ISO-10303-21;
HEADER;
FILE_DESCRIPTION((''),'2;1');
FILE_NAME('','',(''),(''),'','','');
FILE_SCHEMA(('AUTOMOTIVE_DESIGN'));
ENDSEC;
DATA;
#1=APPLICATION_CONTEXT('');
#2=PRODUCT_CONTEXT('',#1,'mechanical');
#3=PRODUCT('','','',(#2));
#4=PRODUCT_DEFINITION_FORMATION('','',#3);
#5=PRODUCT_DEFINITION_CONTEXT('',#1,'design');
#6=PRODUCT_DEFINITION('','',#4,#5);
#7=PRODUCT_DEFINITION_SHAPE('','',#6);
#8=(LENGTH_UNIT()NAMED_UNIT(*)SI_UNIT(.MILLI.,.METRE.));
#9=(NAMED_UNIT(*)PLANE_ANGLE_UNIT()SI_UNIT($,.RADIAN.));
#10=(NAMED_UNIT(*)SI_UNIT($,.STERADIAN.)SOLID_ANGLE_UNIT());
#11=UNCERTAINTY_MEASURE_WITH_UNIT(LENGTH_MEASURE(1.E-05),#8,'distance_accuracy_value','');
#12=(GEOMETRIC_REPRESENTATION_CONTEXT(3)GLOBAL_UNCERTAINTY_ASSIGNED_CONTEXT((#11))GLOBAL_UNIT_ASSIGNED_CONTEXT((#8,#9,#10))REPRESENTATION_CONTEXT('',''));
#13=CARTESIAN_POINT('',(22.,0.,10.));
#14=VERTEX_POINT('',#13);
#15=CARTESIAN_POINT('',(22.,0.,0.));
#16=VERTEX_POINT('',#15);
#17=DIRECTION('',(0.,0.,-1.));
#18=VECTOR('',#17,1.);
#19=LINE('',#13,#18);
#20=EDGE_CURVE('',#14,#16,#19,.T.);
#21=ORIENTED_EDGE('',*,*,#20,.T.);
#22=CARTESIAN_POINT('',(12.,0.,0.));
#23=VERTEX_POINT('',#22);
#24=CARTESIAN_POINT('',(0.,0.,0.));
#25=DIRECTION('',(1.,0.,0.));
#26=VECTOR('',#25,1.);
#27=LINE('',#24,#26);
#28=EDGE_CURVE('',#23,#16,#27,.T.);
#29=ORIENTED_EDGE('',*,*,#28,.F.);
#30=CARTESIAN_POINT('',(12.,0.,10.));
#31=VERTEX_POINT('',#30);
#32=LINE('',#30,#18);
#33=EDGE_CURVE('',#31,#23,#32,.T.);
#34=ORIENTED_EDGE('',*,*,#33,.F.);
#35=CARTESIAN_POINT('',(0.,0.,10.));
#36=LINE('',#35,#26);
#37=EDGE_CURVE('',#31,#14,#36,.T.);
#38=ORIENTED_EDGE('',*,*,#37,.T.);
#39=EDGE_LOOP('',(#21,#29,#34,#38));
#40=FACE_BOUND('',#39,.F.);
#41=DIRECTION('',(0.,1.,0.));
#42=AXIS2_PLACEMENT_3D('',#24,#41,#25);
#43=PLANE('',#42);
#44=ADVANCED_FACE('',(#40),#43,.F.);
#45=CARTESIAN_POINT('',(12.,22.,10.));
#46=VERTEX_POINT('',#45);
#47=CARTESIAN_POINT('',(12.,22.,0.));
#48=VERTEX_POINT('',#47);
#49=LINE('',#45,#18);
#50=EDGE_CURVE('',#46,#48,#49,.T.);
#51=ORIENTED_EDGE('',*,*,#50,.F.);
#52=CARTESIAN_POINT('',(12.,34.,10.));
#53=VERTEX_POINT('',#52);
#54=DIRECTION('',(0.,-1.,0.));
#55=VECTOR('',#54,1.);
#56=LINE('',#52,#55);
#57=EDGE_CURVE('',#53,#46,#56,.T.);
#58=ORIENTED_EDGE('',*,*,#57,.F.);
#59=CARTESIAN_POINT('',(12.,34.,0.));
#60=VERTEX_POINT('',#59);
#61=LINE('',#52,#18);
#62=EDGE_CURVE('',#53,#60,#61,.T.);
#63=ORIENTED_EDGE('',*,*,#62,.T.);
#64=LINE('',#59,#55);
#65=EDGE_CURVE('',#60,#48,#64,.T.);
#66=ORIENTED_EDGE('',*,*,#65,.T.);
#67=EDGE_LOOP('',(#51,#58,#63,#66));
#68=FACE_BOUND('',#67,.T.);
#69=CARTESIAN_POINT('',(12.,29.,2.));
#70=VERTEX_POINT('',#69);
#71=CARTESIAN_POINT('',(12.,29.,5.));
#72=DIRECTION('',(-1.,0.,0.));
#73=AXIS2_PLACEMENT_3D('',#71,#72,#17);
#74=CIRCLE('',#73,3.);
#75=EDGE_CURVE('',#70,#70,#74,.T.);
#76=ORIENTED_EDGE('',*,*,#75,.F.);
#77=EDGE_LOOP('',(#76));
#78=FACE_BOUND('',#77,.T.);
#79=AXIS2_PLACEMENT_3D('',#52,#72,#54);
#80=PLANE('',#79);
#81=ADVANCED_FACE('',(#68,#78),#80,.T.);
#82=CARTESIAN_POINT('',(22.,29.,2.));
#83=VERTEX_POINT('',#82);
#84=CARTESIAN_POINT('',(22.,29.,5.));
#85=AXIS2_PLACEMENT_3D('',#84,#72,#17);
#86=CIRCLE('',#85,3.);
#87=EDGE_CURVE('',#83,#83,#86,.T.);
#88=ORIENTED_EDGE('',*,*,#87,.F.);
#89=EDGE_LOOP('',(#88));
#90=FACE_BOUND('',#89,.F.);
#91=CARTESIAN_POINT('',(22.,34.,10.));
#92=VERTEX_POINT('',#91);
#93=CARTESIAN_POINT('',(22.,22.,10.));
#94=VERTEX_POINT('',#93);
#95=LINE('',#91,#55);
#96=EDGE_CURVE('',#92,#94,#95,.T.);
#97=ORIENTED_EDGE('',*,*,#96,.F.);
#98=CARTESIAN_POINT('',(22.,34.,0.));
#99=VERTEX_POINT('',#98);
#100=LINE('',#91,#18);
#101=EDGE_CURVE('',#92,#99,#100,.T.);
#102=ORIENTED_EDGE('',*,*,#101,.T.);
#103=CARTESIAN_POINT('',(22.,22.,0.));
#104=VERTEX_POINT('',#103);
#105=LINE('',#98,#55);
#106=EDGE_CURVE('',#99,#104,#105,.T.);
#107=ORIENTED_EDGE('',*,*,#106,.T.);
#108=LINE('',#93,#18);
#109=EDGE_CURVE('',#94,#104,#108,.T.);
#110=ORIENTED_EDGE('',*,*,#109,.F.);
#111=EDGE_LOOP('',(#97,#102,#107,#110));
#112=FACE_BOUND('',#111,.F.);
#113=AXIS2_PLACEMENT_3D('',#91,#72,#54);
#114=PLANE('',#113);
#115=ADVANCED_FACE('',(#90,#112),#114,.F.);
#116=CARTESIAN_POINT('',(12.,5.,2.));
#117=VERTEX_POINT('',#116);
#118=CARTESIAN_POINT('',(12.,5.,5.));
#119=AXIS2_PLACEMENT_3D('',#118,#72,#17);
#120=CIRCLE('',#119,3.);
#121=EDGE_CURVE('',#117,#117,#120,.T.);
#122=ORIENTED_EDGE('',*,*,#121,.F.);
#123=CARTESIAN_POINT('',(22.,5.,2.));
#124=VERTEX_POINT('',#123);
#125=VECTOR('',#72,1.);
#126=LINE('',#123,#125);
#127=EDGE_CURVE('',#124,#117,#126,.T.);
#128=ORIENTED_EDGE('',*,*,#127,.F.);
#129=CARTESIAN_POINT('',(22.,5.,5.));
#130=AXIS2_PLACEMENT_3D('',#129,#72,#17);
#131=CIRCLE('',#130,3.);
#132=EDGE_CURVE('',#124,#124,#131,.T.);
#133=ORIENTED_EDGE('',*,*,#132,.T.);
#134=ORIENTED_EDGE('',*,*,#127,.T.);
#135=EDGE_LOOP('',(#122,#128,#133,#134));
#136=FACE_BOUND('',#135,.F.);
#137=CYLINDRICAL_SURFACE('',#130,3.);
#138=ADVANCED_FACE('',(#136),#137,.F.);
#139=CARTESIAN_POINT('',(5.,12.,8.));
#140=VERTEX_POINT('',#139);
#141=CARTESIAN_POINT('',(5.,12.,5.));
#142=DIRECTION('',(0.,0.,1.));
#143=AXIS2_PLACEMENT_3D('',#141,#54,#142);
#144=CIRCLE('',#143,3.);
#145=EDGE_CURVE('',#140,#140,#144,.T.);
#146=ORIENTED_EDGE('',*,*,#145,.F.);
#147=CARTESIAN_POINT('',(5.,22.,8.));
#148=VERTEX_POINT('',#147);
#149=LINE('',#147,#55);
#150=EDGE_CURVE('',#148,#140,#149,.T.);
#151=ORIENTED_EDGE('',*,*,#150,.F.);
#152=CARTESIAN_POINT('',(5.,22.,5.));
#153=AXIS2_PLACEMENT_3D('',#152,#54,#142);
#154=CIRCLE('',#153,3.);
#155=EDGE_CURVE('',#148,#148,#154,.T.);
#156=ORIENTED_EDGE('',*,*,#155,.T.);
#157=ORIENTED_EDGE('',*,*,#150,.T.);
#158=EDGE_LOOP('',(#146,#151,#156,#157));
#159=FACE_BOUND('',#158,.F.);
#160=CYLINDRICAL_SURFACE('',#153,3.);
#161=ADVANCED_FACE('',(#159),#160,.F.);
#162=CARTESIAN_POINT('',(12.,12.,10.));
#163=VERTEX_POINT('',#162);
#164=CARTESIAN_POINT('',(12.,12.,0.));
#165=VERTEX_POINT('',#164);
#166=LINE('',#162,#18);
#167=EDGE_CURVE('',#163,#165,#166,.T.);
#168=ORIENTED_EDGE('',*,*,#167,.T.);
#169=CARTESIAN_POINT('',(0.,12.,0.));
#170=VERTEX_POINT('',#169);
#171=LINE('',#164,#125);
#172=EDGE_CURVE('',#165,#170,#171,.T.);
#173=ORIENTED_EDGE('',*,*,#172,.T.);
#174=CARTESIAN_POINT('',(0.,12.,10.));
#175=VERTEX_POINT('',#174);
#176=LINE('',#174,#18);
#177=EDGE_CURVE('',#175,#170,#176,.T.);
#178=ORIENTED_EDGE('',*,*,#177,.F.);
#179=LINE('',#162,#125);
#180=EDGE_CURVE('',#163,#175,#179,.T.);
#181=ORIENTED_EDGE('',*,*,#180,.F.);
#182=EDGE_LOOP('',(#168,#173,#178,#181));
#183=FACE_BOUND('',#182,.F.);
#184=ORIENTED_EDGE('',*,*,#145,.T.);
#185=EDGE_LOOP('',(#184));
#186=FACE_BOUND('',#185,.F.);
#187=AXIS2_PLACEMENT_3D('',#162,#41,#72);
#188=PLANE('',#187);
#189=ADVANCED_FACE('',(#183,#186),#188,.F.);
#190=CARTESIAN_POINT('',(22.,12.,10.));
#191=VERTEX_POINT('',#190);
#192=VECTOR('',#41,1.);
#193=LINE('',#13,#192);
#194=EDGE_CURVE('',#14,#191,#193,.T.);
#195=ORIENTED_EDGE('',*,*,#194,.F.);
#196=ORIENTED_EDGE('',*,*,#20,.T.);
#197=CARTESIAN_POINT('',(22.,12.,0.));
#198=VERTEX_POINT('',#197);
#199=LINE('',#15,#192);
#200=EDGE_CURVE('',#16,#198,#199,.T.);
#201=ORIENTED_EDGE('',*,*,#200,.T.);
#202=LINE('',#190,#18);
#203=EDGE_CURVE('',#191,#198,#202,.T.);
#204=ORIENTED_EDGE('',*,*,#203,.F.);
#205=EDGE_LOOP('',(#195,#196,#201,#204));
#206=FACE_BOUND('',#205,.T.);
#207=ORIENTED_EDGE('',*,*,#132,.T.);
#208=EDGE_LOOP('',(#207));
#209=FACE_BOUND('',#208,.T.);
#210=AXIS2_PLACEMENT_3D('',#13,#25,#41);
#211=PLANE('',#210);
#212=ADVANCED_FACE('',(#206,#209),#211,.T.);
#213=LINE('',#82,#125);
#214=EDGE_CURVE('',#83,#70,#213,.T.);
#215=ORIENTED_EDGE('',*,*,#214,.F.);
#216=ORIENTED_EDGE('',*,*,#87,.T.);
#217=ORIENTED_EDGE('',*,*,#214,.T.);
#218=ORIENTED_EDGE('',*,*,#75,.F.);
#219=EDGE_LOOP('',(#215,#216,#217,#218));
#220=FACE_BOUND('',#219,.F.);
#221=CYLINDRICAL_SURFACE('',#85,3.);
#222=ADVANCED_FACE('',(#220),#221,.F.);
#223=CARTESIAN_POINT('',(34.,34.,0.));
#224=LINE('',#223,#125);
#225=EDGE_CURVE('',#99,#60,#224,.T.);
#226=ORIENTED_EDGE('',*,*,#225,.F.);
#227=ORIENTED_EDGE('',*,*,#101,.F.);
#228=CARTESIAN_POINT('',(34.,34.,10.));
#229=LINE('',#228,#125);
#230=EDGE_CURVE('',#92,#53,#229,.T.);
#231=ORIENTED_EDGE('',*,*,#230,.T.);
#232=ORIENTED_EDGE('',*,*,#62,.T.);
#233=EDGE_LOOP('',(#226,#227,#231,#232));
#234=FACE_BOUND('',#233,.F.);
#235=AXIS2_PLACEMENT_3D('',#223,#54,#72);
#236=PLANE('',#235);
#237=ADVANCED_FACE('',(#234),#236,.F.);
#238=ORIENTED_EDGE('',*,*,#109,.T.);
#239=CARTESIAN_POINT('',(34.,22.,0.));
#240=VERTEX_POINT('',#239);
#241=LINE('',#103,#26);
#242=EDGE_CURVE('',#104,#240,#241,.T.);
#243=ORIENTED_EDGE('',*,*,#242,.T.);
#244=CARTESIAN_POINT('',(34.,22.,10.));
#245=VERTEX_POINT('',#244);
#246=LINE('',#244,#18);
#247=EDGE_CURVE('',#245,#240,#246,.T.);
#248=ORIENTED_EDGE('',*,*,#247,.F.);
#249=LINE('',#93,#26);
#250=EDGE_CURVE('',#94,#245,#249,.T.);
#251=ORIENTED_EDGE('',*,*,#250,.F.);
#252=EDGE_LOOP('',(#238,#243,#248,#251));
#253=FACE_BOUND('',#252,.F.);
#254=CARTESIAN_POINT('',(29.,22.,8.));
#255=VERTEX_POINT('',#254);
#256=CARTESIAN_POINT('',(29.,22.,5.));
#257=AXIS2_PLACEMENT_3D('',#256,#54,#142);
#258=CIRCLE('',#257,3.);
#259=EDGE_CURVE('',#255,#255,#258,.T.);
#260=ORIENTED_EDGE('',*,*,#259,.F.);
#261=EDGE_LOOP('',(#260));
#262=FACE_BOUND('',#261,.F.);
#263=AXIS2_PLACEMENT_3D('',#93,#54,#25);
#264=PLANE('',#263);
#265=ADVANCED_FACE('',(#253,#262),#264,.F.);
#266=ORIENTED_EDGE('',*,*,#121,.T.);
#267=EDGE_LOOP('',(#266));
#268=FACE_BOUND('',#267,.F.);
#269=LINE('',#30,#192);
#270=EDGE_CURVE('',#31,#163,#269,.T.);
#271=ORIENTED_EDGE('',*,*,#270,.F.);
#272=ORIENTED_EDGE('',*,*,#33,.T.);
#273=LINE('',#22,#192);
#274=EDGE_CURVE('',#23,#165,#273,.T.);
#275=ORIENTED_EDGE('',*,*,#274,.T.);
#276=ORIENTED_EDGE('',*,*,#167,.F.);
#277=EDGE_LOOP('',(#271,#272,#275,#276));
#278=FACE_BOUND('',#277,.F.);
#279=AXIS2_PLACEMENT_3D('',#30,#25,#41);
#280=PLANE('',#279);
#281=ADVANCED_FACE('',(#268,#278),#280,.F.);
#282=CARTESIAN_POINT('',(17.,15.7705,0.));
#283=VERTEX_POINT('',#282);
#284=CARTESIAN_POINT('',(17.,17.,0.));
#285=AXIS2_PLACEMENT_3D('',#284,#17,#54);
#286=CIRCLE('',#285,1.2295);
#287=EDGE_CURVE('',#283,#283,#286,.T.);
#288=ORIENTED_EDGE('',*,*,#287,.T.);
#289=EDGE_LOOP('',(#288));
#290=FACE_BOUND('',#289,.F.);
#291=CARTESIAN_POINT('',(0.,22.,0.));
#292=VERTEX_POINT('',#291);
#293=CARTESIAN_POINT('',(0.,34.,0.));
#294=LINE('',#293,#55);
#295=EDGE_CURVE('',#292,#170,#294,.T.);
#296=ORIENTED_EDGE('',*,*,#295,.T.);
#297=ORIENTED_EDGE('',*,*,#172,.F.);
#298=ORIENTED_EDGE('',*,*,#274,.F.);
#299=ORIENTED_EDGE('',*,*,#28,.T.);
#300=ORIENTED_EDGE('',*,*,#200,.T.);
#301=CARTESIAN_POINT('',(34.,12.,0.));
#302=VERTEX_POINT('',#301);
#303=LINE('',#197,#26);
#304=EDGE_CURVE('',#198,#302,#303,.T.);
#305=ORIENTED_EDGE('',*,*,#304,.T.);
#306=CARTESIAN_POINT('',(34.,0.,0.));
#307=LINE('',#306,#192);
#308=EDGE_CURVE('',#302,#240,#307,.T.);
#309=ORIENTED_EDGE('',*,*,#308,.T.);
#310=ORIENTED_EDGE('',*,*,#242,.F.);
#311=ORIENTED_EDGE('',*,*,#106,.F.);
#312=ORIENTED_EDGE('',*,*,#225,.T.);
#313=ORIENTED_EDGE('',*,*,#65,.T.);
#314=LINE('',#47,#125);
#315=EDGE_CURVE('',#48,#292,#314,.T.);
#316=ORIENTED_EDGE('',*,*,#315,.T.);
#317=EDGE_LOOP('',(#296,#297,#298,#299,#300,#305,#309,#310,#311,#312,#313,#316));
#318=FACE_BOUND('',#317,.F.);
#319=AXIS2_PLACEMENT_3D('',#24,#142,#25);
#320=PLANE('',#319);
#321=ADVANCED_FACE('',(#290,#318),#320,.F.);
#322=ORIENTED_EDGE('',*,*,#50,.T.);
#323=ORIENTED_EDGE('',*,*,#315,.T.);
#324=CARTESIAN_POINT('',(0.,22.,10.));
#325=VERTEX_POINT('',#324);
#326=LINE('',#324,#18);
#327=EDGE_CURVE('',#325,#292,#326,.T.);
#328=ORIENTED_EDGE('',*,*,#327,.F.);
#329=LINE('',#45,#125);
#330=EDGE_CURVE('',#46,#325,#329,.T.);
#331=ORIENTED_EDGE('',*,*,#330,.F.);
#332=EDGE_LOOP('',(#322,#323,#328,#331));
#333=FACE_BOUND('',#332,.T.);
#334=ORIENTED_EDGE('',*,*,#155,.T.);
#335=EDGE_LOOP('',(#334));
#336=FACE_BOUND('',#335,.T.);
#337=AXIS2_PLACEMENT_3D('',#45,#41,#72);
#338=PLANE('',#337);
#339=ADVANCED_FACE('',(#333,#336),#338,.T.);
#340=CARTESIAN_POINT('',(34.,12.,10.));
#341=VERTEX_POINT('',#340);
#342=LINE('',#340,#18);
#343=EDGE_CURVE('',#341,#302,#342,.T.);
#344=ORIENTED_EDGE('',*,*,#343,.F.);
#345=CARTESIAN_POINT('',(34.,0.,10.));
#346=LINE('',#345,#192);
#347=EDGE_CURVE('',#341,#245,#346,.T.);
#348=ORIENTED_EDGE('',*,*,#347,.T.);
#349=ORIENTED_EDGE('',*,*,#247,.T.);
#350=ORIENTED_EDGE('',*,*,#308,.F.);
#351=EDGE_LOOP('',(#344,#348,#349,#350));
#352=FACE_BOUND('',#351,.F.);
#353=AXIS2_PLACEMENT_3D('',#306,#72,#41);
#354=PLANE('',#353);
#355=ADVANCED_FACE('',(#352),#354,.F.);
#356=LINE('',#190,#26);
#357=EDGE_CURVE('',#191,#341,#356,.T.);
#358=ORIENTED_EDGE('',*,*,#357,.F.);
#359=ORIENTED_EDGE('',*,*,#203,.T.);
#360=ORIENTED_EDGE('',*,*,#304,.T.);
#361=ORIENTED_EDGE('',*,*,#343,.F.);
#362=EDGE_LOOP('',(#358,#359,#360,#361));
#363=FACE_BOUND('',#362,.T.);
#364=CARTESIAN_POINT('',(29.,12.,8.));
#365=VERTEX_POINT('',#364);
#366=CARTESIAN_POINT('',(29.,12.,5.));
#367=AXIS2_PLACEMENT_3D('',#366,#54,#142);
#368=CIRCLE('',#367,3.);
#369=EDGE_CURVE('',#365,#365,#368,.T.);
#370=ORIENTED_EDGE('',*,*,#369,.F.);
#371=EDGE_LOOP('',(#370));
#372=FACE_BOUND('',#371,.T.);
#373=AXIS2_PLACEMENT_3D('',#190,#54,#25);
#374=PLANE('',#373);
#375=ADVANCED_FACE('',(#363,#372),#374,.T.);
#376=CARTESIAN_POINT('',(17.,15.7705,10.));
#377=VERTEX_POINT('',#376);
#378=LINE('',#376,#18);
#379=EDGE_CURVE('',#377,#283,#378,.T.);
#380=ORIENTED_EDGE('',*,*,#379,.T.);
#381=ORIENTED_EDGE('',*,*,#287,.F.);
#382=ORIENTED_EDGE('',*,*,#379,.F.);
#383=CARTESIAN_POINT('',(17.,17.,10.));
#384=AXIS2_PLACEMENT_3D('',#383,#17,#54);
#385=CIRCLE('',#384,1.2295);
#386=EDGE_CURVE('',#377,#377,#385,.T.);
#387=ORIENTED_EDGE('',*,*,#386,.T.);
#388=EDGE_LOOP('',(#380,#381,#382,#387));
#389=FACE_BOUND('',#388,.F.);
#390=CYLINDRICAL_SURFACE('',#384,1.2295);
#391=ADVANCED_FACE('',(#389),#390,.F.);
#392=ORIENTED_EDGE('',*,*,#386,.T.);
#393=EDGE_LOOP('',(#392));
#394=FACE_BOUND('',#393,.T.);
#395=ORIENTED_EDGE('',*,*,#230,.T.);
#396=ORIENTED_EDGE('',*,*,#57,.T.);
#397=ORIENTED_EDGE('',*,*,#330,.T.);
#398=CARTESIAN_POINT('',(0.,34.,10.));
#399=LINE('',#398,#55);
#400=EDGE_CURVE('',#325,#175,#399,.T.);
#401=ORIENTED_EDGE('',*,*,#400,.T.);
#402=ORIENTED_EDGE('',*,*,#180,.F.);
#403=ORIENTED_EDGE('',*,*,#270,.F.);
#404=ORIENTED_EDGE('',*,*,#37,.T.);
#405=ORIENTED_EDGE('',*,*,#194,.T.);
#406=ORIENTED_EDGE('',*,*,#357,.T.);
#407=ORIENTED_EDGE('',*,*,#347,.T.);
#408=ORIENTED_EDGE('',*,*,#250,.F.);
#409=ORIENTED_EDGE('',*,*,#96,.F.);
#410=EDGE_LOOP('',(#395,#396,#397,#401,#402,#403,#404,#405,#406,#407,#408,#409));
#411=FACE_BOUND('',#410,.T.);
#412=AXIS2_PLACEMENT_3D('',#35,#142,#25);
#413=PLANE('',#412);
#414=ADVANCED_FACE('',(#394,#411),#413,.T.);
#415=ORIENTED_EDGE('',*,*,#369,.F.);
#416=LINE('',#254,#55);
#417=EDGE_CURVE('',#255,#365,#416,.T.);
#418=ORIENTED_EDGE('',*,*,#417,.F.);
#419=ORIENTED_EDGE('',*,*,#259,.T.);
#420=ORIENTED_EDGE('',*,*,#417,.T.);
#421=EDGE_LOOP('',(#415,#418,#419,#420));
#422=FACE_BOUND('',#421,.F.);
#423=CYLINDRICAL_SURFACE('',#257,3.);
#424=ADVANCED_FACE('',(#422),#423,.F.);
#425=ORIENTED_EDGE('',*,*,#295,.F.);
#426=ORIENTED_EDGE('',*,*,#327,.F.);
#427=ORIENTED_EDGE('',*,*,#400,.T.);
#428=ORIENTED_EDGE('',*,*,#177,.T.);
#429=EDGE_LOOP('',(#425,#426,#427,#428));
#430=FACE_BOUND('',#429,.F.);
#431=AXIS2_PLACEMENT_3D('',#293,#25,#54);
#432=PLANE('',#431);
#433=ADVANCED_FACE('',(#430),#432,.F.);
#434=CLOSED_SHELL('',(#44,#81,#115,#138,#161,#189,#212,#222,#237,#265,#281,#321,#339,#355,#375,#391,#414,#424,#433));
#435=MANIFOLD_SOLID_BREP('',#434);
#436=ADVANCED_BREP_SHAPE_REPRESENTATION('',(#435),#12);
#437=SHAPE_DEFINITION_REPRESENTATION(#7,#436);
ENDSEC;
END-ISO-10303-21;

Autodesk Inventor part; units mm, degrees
ref_plane "YZ Plane" through (0, 0, 0) normal (1, 0, 0) x (0, 1, 0)
ref_plane "XZ Plane" through (0, 0, 0) normal (0, 1, 0) x (-1, 0, 0)
ref_plane "XY Plane" through (0, 0, 0) normal (0, 0, 1) x (1, 0, 0)
sketch "スケッチ1" plane through (0, 0, 0) normal (0, 0, 1) x (1, 0, 0)
  line L0 (0, 0) -> (34, 0)
  line L1 (34, 0) -> (34, 34)
  line L2 (34, 34) -> (0, 34)
  line L3 (0, 34) -> (0, 0)
  dimension "d0" = 34
  dimension "d1" = 34
extrude "押し出し1" add sketch "スケッチ1" along normal blind 10
sketch "スケッチ2" plane through (0, 0, 10) normal (0, 0, 1) x (1, 0, 0)
  line L0 (34, 34) -> (0, 34) projected
  line L1 (34, 34) -> (22, 34)
  line L2 (22, 34) -> (22, 22)
  line L3 (22, 22) -> (34, 22)
  line L4 (34, 22) -> (34, 34)
  point P0 (0, 0)
  point P1 (22, 34)
  dimension "d4" = 12
  dimension "d5" = 12
extrude "押し出し2" cut sketch "スケッチ2" against normal blind 10
sketch "スケッチ3" plane through (0, 0, 10) normal (0, 0, 1) x (1, 0, 0)
  line L0 (0, 34) -> (12, 34)
  line L1 (12, 34) -> (12, 22)
  line L2 (12, 22) -> (0, 22)
  line L3 (0, 22) -> (0, 34)
  line L4 (0, 0) -> (34, 0) projected
  line L5 (0, 0) -> (12, 0)
  line L6 (12, 0) -> (12, 12)
  line L7 (12, 12) -> (0, 12)
  line L8 (0, 12) -> (0, 0)
  line L9 (34, 0) -> (22, 0)
  line L10 (22, 0) -> (22, 12)
  line L11 (22, 12) -> (34, 12)
  line L12 (34, 12) -> (34, 0)
  point P0 (22, 0)
  dimension "d8" = 12
  dimension "d9" = 12
  dimension "d10" = 12
  dimension "d11" = 12
  dimension "d12" = 12
  dimension "d13" = 12
extrude "押し出し3" cut sketch "スケッチ3" against normal blind 10
sketch "スケッチ4" plane through (22, 22, 10) normal (1, 0, 0) x (0, 0, -1)
  line L0 (0, 12) -> (10, 12) projected
  line L1 (10, 12) -> (10, 0) projected
  line L2 (10, -10) -> (10, -22) projected
  line L3 (10, -22) -> (0, -22) projected
  point P0 (5, 7)
  point P1 (5, -17)
  dimension "d16" = 5
  dimension "d17" = 5
  dimension "d18" = 5
  dimension "d19" = 5
hole "穴1" at (22, 29, 5) at (22, 5, 5) direction (-1, 0, 0) diameter 6 end through all
sketch "スケッチ5" plane through (0, 22, 10) normal (0, 1, 0) x (1, 0, 0)
  line L0 (0, 10) -> (12, 10) projected
  line L1 (0, 0) -> (0, 10) projected
  line L2 (22, 10) -> (34, 10) projected
  line L3 (34, 10) -> (34, 0) projected
  point P0 (5, 5)
  point P1 (29, 5)
  dimension "d27" = 5
  dimension "d28" = 5
  dimension "d29" = 5
  dimension "d30" = 5
hole "穴2" at (5, 22, 5) at (29, 22, 5) direction (0, -1, 0) diameter 6 end through all
sketch "スケッチ6" plane through (0, 0, 10) normal (0, 0, 1) x (1, 0, 0)
  line L0 (34, 12) -> (34, 22) projected
  line L1 (22, 34) -> (12, 34) projected
  point P0 (0, 0)
  point P1 (17, 17)
  dimension "d38" = 17
  dimension "d39" = 17
hole "穴3" at (17, 17, 10) direction (0, 0, -1) diameter 2.459 end through all thread size "M3x0.5" class "6H" standard "ISO Metric profile"
properties part number "シリンダ先端パーツ"
